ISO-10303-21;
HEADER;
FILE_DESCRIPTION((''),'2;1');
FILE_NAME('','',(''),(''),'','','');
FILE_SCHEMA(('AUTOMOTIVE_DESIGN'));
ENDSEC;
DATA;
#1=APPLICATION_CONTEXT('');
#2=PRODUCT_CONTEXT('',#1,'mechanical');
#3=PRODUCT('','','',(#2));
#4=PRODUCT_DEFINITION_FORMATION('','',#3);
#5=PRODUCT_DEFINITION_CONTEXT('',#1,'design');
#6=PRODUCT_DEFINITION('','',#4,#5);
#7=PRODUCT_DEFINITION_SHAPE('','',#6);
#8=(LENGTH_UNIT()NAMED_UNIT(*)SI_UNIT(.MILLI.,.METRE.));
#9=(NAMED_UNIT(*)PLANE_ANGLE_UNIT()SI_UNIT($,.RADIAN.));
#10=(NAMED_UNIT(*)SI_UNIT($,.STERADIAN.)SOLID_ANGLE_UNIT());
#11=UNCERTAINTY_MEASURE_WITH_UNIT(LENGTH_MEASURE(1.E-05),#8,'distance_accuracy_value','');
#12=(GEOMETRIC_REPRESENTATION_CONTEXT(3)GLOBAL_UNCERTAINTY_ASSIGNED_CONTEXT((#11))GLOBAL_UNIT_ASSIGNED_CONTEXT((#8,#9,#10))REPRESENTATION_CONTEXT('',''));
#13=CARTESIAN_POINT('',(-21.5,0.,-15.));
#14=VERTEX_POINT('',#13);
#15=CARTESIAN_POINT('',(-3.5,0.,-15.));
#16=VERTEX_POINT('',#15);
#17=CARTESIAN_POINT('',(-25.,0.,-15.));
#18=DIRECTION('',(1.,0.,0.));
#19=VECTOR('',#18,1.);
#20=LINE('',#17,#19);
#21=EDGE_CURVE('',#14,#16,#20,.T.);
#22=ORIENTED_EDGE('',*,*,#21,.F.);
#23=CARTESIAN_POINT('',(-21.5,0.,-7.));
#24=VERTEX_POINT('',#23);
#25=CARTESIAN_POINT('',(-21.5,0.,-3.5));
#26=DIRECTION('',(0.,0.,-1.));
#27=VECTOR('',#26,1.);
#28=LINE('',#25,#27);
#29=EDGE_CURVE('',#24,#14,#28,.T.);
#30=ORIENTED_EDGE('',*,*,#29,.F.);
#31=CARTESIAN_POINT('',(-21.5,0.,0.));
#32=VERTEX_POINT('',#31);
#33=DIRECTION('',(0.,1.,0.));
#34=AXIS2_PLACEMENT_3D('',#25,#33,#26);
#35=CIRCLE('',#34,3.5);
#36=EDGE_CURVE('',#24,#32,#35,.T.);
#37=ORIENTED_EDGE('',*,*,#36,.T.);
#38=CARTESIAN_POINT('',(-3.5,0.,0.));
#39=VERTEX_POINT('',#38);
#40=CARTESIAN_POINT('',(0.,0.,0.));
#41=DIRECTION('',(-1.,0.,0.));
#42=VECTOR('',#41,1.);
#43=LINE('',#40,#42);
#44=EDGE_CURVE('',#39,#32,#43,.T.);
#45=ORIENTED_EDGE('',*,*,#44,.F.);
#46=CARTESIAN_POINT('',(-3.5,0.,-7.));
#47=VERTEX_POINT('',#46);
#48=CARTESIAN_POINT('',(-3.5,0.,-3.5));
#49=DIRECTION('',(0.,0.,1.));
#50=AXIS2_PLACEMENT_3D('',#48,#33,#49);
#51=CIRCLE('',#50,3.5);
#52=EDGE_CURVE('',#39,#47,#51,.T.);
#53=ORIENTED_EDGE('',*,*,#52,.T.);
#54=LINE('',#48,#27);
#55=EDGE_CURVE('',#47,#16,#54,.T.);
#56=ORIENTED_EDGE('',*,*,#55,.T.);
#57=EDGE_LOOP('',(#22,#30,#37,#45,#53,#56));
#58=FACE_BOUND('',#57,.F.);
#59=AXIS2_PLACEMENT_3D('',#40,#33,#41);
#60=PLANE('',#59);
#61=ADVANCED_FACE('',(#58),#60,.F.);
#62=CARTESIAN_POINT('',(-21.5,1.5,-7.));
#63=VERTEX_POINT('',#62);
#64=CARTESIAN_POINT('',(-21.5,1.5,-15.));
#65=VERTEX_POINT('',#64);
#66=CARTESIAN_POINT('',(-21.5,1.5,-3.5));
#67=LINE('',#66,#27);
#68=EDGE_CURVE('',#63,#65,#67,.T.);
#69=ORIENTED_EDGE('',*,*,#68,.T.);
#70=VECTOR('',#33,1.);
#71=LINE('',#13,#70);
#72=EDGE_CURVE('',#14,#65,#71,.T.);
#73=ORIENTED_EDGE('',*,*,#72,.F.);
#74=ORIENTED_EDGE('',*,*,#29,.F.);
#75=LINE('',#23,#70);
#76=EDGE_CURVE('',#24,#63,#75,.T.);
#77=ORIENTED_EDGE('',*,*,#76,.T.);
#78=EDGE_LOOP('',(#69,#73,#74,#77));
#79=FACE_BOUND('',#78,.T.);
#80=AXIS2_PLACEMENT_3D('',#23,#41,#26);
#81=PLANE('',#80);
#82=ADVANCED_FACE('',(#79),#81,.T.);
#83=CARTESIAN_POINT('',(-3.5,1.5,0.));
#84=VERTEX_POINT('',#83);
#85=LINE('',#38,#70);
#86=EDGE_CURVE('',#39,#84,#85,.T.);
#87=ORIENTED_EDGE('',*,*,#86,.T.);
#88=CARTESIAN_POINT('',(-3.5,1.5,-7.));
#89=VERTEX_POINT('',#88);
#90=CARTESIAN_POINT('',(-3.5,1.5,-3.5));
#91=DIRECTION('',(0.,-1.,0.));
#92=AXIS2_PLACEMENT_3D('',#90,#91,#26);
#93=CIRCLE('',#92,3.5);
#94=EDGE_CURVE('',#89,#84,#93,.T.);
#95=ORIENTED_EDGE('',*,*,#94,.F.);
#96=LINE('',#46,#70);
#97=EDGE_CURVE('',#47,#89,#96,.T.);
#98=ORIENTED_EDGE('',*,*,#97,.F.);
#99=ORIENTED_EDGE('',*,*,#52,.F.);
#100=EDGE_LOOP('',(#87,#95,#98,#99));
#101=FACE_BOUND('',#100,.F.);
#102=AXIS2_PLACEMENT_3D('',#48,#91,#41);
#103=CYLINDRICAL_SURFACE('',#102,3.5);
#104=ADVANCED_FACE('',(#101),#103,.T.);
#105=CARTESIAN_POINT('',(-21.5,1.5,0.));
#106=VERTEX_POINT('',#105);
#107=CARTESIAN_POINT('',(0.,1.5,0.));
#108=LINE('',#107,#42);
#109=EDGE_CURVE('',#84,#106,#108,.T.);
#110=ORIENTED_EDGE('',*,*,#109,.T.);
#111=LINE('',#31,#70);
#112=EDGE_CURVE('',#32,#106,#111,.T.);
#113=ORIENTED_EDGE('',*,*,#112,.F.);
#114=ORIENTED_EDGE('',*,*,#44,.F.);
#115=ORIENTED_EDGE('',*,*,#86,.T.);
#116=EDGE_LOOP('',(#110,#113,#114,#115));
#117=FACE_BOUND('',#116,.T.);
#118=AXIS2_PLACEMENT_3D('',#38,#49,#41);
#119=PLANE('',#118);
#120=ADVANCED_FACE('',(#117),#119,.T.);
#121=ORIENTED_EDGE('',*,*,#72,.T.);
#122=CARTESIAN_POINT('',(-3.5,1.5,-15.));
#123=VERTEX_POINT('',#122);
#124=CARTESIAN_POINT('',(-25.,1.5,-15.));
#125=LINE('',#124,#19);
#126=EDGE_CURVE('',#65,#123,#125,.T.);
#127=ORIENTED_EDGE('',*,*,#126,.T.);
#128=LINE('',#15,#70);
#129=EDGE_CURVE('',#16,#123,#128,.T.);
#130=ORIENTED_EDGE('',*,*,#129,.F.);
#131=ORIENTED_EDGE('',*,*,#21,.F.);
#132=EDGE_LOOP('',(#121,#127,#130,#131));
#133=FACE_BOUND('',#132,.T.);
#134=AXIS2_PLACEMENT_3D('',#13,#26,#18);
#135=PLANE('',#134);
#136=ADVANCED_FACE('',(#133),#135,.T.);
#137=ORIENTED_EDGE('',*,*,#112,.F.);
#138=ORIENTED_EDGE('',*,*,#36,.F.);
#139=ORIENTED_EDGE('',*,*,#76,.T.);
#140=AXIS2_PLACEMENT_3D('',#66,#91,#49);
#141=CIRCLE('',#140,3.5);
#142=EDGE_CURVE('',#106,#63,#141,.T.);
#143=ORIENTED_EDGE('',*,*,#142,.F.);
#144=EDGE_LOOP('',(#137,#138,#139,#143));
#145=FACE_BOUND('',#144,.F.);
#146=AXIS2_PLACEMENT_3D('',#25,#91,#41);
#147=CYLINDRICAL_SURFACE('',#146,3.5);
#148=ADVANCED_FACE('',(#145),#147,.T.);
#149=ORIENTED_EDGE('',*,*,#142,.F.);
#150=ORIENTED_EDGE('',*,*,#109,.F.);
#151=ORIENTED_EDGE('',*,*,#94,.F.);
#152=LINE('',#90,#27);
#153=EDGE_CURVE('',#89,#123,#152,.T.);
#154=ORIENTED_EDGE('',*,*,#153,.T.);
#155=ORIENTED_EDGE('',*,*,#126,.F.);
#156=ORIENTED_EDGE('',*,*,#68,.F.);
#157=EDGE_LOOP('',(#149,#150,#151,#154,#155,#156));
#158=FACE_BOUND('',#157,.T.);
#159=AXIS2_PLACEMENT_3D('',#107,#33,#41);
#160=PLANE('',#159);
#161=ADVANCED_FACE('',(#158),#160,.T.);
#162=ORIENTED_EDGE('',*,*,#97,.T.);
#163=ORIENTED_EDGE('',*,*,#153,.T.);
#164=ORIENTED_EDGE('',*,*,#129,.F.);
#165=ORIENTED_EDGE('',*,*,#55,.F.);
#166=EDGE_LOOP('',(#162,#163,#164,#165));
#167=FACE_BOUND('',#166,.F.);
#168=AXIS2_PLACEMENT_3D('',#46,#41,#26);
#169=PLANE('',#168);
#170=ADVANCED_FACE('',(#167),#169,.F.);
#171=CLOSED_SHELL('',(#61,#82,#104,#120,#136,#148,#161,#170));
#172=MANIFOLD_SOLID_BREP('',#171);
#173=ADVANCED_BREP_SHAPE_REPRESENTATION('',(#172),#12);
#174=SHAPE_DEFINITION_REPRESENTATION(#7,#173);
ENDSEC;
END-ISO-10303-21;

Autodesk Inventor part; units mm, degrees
ref_plane "YZ Plane" through (0, 0, 0) normal (1, 0, 0) x (0, 1, 0)
ref_plane "XZ Plane" through (0, 0, 0) normal (0, 1, 0) x (-1, 0, 0)
ref_plane "XY Plane" through (0, 0, 0) normal (0, 0, 1) x (1, 0, 0)
sketch "スケッチ1" plane through (0, 0, 0) normal (0, 1, 0) x (-1, 0, 0)
  line L0 (0, 0) -> (25, 0)
  line L1 (25, 0) -> (25, -15)
  line L2 (25, -15) -> (0, -15)
  line L3 (0, -15) -> (0, 0)
  circle A0 centre (21.5, -3.5) radius 3.5
  circle A1 centre (3.5, -3.5) radius 3.5
  line L4 (21.5, -3.5) -> (21.5, -15)
  line L5 (3.5, -3.5) -> (3.5, -15)
  point P0 (21.5, 0)
  point P1 (3.5, 0)
  point P2 (3.5, -7)
  point P3 (21.5, -7)
  dimension "d0" = 25
  dimension "d1" = 15
  dimension "d2" = 7
  dimension "d3" = 7
extrude "押し出し1" add sketch "スケッチ1" along normal blind 1.5 contours L0 A0 L4 L2 L5 A1 | A1 | A0
properties part number "reset"
